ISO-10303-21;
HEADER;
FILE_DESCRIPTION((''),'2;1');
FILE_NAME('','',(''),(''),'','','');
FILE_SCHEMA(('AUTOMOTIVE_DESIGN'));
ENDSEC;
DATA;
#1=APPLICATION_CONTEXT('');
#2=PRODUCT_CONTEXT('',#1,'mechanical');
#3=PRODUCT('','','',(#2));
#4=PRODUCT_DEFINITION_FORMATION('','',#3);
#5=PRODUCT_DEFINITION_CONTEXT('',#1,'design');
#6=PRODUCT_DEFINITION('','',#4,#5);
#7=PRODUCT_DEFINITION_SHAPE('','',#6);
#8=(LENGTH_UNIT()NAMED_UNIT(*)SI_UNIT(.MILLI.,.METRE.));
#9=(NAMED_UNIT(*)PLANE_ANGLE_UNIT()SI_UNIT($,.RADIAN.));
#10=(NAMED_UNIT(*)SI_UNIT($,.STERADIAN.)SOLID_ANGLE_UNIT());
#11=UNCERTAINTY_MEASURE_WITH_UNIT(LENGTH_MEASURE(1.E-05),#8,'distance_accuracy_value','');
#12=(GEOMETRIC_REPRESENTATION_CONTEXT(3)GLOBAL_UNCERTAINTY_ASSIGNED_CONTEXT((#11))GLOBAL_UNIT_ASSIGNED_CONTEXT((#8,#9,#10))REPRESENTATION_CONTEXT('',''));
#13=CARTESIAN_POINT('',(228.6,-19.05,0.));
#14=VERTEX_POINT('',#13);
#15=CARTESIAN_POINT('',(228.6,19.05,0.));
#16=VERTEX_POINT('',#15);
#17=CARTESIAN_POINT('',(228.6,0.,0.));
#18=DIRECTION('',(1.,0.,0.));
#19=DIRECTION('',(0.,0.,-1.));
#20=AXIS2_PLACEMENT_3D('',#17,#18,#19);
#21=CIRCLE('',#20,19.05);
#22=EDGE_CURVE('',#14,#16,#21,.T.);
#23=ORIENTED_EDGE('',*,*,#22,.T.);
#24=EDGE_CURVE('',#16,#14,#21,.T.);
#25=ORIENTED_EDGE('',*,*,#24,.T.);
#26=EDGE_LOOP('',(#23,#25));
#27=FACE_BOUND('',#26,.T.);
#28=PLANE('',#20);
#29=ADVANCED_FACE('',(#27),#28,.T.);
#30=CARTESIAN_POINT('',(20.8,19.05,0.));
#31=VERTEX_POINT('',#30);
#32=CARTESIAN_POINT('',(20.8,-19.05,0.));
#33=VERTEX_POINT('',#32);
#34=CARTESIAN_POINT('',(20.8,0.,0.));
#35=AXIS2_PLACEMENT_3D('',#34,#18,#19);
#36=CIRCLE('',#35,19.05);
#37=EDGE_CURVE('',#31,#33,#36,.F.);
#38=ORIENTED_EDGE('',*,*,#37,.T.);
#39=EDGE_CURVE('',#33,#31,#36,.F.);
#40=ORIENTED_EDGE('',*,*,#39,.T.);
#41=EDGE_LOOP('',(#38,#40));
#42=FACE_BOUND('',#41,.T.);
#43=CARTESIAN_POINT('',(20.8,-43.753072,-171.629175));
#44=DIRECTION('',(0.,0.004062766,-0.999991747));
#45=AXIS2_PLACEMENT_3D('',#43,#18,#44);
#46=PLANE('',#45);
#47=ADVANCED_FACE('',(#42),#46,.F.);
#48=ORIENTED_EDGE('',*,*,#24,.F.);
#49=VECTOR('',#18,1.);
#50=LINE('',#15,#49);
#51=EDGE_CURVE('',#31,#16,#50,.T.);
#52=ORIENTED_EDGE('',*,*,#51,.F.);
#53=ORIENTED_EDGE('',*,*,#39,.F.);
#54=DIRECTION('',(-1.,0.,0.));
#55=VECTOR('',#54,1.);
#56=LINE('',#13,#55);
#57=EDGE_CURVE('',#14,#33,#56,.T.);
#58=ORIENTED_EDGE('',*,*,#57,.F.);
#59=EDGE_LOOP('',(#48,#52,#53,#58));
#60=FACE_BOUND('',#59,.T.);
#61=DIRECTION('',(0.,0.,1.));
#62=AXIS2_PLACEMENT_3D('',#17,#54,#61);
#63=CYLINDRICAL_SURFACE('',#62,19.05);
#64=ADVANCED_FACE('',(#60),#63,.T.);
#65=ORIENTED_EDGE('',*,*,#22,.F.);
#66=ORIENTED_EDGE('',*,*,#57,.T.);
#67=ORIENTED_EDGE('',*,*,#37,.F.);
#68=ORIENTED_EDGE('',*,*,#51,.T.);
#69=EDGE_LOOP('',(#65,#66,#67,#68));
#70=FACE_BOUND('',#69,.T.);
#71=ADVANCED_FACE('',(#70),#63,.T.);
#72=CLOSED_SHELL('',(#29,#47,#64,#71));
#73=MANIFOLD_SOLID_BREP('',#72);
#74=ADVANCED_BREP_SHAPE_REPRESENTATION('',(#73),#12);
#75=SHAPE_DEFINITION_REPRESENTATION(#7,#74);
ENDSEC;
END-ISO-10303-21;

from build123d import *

# Parameters (mm, degrees)
SKETCH1_R           = 19.05
BOSS_EXTRUDE1_DEPTH = 228.6
CUT_EXTRUDE1_START  = -20.8
CUT_EXTRUDE1_DEPTH  = 20.8


with BuildPart() as part:
    # Sketch1 → Boss-Extrude1 (new body)
    with BuildSketch(Plane(origin=(0, 0, 0), x_dir=(0, 0, -1), z_dir=(1, 0, 0))):
        Circle(SKETCH1_R)
    extrude(amount=BOSS_EXTRUDE1_DEPTH)

    # Sketch2 → Cut-Extrude1 (cut)
    with BuildSketch(Plane.ZY.offset(CUT_EXTRUDE1_START)):
        with BuildLine():
            ThreePointArc((0, -19.05), (19.05, 0), (0, 19.05))
            ThreePointArc((0, 19.05), (-19.05, 0), (0, -19.05))
        make_face()
    extrude(amount=CUT_EXTRUDE1_DEPTH, mode=Mode.SUBTRACT)


solid = part.part
